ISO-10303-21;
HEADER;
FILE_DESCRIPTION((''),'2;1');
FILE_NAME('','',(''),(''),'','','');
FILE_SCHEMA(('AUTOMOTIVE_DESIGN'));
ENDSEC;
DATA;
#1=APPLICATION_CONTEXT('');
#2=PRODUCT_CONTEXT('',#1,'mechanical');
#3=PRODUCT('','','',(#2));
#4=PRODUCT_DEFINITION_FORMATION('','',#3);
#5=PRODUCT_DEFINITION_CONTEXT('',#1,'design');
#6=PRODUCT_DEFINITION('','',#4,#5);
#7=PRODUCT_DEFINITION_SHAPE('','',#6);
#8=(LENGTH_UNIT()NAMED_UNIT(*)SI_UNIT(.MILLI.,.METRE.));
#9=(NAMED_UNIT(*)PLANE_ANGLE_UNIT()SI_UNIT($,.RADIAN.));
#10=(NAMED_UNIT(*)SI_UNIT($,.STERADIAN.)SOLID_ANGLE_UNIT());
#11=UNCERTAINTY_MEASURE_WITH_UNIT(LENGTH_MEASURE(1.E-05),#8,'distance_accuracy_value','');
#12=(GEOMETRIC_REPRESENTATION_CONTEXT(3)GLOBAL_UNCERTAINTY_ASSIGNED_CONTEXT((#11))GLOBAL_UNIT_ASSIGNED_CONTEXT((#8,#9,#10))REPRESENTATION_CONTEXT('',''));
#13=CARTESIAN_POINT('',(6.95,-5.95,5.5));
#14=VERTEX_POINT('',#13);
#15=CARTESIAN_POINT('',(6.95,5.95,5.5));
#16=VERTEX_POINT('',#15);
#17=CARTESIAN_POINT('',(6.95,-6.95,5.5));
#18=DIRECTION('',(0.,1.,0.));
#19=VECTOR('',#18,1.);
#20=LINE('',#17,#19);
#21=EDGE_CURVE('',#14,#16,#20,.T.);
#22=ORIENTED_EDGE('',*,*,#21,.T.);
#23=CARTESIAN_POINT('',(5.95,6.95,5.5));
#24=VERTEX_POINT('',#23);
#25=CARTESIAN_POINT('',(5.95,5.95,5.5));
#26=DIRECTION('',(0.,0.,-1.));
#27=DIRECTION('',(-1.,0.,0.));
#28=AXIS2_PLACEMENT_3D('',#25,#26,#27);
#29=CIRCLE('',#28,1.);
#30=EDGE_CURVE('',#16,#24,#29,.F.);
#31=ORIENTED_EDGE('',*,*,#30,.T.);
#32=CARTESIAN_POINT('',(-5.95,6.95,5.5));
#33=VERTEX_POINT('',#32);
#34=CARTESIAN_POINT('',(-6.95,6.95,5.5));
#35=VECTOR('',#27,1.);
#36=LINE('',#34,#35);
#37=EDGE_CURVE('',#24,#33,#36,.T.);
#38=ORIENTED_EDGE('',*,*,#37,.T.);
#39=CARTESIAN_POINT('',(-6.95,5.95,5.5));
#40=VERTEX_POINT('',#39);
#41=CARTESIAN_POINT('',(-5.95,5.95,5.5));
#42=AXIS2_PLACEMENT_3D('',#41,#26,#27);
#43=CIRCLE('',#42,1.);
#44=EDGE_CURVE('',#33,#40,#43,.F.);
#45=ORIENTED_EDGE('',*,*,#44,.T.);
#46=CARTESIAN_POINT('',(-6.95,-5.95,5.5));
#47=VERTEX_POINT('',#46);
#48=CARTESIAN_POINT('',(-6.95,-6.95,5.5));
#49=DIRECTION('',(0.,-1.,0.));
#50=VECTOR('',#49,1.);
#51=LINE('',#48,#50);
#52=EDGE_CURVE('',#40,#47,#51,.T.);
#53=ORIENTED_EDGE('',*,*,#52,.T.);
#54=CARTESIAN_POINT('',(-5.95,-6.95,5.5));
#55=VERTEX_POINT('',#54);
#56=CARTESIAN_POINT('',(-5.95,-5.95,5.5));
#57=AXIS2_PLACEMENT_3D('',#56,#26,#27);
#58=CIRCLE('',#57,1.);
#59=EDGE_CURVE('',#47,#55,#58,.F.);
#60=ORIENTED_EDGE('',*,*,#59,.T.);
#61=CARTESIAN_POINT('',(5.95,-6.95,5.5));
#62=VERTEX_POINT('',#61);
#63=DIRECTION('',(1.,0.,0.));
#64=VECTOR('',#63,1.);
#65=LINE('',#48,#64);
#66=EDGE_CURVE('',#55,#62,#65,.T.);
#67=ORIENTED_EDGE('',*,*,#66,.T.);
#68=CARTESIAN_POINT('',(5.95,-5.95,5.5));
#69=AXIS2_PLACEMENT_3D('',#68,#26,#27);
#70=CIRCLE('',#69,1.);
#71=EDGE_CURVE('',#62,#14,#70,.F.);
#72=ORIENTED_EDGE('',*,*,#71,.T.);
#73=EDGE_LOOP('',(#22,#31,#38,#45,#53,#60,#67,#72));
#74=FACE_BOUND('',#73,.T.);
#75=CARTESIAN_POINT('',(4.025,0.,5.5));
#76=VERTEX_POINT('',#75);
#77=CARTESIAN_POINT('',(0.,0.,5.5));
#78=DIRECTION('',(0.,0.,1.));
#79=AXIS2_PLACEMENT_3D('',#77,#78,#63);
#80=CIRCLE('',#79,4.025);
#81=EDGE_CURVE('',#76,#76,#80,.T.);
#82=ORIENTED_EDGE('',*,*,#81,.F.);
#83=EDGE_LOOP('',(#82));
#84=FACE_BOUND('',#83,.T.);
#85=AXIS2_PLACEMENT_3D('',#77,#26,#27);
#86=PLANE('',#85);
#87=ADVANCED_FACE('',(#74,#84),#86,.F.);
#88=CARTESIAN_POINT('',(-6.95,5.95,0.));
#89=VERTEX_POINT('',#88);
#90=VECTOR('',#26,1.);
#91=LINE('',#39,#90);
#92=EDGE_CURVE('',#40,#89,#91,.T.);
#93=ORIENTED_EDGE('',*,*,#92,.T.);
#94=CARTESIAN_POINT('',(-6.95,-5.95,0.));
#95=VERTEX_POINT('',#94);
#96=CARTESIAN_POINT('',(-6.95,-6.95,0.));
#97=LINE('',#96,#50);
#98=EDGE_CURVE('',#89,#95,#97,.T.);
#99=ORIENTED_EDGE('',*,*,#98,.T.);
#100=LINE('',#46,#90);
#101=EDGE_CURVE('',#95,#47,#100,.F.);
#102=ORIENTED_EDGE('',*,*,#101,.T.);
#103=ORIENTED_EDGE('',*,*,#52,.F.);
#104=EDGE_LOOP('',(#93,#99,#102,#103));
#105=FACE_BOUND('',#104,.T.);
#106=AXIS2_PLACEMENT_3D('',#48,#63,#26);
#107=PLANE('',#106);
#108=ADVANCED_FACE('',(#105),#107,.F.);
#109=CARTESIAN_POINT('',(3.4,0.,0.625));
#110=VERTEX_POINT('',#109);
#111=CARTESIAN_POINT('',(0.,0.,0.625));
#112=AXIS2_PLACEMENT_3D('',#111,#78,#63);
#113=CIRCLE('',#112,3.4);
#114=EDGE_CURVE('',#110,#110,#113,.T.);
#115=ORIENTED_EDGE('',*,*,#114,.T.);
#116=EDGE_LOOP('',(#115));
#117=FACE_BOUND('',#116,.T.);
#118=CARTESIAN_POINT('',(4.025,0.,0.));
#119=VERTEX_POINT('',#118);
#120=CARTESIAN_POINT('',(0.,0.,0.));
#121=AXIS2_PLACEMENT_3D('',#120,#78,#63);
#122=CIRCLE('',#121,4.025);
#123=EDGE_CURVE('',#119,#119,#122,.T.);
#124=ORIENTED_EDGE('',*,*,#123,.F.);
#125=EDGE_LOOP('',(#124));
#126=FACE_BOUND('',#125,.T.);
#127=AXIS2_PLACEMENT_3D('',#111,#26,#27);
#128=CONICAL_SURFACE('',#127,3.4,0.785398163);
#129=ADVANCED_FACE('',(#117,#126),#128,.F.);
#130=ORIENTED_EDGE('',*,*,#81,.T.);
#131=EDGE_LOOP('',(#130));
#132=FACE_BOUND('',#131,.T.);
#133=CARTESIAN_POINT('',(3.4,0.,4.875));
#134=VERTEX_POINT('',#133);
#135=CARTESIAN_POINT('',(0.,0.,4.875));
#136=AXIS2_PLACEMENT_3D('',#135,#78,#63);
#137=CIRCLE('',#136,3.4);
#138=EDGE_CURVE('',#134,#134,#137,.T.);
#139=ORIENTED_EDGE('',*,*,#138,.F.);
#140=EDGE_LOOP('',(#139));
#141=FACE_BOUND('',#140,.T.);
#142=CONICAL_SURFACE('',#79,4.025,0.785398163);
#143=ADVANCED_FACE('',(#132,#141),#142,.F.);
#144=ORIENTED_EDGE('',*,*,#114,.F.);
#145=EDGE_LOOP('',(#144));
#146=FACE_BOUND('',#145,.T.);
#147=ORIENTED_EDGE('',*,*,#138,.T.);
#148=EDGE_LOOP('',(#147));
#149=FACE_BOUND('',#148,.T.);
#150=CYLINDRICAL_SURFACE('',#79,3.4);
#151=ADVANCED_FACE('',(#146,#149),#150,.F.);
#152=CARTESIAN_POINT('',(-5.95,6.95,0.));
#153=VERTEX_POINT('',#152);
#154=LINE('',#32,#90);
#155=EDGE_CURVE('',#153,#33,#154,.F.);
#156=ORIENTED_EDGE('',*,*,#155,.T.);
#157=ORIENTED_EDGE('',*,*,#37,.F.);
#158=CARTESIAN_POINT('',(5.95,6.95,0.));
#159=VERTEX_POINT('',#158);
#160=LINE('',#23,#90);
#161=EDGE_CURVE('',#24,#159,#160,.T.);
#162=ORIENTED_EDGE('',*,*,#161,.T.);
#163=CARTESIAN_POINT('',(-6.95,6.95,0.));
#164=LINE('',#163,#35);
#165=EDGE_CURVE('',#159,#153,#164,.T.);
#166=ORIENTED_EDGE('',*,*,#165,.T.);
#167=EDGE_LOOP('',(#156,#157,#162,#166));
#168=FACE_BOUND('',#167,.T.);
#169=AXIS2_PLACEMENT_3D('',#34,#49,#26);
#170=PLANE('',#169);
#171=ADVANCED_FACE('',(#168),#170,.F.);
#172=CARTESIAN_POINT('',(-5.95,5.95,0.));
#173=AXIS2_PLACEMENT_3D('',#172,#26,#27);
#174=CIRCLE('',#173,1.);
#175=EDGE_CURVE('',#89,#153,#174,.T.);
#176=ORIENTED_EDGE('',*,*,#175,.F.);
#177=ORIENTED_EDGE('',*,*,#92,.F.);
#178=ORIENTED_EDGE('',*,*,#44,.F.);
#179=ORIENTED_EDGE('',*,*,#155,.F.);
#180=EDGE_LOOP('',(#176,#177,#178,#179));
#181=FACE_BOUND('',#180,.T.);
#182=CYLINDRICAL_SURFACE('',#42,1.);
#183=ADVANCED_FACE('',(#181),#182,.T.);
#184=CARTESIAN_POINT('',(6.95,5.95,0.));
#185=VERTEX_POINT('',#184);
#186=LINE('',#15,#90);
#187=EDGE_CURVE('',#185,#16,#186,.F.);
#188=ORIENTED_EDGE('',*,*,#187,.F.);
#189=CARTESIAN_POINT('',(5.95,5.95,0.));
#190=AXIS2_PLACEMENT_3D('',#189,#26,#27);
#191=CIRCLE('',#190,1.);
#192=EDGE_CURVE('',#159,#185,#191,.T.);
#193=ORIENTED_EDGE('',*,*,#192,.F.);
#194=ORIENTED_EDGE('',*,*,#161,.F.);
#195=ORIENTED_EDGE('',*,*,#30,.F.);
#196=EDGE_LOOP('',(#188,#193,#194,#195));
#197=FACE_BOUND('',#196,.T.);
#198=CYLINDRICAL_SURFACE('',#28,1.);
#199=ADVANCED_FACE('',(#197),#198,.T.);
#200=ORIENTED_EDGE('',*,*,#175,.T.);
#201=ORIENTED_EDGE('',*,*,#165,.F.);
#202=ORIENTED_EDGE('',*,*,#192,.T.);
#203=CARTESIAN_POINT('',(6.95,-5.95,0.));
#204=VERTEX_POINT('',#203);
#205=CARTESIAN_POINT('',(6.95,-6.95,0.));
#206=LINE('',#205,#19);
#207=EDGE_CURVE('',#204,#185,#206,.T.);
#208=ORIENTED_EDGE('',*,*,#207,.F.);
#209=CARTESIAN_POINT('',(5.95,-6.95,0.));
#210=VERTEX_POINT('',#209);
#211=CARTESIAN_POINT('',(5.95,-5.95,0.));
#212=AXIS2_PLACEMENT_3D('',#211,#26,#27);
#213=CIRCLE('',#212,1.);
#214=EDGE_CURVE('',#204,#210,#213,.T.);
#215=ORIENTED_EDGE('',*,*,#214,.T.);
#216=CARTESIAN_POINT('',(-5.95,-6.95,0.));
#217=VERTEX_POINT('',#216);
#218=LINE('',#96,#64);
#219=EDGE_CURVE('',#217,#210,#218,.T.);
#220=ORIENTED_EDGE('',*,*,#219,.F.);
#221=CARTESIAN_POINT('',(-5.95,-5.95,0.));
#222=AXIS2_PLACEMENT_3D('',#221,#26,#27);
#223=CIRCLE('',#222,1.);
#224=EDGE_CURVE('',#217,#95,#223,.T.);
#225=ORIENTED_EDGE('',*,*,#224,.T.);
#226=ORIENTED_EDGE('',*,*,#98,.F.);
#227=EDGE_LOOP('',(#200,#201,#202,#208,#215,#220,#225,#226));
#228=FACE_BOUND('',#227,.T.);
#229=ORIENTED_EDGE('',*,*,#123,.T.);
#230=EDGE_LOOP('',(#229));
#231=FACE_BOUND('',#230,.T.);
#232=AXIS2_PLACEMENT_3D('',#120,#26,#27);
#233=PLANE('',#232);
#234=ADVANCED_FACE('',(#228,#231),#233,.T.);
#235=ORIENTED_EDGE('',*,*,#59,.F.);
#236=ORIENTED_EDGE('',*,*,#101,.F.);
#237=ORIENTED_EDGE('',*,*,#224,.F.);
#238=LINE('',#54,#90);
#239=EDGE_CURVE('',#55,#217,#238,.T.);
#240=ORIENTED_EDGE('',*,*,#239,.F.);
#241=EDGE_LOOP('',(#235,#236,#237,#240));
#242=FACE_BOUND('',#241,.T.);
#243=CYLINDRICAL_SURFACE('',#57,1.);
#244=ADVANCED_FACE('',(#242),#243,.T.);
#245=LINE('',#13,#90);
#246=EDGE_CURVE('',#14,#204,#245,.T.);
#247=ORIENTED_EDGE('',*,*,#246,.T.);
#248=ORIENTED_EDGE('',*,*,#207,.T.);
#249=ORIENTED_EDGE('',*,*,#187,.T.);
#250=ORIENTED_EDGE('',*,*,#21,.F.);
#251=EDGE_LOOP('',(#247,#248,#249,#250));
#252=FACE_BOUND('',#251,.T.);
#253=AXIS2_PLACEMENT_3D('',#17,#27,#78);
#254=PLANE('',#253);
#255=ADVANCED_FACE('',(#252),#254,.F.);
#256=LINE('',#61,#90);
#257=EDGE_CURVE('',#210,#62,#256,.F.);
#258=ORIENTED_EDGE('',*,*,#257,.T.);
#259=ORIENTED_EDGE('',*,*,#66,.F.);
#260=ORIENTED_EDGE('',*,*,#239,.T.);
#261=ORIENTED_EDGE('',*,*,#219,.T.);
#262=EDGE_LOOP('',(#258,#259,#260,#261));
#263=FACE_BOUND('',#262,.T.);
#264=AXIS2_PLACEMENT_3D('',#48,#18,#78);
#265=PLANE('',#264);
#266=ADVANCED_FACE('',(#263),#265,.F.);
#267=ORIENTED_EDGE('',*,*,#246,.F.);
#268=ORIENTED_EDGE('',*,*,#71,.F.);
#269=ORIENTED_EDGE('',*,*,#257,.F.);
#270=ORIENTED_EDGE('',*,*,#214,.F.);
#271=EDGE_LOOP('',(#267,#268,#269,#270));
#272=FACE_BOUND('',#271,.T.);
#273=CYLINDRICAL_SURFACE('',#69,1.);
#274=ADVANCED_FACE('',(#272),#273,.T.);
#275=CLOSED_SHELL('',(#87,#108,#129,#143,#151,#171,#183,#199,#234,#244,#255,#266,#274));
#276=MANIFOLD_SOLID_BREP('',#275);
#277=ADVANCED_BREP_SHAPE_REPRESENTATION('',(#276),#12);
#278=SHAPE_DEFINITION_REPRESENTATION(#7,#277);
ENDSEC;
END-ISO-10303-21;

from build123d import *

# Parameters (mm, degrees)
SKETCH_1_W      = 13.9
SKETCH_1_H      = 13.9
EXTRUDE_1_DEPTH = 5.5
FILLET_1_R      = 1


with BuildPart() as part:
    # Эскиз1 → Бобышка-Вытянуть1 (new body)
    with BuildSketch(Plane.XY):
        Rectangle(SKETCH_1_W, SKETCH_1_H)
    extrude(amount=EXTRUDE_1_DEPTH)

    # Эскиз3 → Отверстие обработанное метчиком M81 (revolve, cut)
    with BuildSketch(Plane(origin=(0, 0, 5.5), x_dir=(0, -1, 0), z_dir=(1, 0, 0))):
        Polygon((0, 0), (0, 5.5), (4.025, 5.5), (3.4, 4.875), (3.4, 0.625), (4.025, 0), align=None)
    revolve(axis=Axis((0, 0, 11.85), (0, 0, -1)), mode=Mode.SUBTRACT)

    # Скругление1
    fillet_1_edges = [part.edges().sort_by_distance(p)[0] for p in [
        (6.95, -6.95, 2.75),
        (-6.95, -6.95, 2.75),
        (-6.95, 6.95, 2.75),
        (6.95, 6.95, 2.75),
    ]]
    fillet(fillet_1_edges, radius=FILLET_1_R)


solid = part.part
